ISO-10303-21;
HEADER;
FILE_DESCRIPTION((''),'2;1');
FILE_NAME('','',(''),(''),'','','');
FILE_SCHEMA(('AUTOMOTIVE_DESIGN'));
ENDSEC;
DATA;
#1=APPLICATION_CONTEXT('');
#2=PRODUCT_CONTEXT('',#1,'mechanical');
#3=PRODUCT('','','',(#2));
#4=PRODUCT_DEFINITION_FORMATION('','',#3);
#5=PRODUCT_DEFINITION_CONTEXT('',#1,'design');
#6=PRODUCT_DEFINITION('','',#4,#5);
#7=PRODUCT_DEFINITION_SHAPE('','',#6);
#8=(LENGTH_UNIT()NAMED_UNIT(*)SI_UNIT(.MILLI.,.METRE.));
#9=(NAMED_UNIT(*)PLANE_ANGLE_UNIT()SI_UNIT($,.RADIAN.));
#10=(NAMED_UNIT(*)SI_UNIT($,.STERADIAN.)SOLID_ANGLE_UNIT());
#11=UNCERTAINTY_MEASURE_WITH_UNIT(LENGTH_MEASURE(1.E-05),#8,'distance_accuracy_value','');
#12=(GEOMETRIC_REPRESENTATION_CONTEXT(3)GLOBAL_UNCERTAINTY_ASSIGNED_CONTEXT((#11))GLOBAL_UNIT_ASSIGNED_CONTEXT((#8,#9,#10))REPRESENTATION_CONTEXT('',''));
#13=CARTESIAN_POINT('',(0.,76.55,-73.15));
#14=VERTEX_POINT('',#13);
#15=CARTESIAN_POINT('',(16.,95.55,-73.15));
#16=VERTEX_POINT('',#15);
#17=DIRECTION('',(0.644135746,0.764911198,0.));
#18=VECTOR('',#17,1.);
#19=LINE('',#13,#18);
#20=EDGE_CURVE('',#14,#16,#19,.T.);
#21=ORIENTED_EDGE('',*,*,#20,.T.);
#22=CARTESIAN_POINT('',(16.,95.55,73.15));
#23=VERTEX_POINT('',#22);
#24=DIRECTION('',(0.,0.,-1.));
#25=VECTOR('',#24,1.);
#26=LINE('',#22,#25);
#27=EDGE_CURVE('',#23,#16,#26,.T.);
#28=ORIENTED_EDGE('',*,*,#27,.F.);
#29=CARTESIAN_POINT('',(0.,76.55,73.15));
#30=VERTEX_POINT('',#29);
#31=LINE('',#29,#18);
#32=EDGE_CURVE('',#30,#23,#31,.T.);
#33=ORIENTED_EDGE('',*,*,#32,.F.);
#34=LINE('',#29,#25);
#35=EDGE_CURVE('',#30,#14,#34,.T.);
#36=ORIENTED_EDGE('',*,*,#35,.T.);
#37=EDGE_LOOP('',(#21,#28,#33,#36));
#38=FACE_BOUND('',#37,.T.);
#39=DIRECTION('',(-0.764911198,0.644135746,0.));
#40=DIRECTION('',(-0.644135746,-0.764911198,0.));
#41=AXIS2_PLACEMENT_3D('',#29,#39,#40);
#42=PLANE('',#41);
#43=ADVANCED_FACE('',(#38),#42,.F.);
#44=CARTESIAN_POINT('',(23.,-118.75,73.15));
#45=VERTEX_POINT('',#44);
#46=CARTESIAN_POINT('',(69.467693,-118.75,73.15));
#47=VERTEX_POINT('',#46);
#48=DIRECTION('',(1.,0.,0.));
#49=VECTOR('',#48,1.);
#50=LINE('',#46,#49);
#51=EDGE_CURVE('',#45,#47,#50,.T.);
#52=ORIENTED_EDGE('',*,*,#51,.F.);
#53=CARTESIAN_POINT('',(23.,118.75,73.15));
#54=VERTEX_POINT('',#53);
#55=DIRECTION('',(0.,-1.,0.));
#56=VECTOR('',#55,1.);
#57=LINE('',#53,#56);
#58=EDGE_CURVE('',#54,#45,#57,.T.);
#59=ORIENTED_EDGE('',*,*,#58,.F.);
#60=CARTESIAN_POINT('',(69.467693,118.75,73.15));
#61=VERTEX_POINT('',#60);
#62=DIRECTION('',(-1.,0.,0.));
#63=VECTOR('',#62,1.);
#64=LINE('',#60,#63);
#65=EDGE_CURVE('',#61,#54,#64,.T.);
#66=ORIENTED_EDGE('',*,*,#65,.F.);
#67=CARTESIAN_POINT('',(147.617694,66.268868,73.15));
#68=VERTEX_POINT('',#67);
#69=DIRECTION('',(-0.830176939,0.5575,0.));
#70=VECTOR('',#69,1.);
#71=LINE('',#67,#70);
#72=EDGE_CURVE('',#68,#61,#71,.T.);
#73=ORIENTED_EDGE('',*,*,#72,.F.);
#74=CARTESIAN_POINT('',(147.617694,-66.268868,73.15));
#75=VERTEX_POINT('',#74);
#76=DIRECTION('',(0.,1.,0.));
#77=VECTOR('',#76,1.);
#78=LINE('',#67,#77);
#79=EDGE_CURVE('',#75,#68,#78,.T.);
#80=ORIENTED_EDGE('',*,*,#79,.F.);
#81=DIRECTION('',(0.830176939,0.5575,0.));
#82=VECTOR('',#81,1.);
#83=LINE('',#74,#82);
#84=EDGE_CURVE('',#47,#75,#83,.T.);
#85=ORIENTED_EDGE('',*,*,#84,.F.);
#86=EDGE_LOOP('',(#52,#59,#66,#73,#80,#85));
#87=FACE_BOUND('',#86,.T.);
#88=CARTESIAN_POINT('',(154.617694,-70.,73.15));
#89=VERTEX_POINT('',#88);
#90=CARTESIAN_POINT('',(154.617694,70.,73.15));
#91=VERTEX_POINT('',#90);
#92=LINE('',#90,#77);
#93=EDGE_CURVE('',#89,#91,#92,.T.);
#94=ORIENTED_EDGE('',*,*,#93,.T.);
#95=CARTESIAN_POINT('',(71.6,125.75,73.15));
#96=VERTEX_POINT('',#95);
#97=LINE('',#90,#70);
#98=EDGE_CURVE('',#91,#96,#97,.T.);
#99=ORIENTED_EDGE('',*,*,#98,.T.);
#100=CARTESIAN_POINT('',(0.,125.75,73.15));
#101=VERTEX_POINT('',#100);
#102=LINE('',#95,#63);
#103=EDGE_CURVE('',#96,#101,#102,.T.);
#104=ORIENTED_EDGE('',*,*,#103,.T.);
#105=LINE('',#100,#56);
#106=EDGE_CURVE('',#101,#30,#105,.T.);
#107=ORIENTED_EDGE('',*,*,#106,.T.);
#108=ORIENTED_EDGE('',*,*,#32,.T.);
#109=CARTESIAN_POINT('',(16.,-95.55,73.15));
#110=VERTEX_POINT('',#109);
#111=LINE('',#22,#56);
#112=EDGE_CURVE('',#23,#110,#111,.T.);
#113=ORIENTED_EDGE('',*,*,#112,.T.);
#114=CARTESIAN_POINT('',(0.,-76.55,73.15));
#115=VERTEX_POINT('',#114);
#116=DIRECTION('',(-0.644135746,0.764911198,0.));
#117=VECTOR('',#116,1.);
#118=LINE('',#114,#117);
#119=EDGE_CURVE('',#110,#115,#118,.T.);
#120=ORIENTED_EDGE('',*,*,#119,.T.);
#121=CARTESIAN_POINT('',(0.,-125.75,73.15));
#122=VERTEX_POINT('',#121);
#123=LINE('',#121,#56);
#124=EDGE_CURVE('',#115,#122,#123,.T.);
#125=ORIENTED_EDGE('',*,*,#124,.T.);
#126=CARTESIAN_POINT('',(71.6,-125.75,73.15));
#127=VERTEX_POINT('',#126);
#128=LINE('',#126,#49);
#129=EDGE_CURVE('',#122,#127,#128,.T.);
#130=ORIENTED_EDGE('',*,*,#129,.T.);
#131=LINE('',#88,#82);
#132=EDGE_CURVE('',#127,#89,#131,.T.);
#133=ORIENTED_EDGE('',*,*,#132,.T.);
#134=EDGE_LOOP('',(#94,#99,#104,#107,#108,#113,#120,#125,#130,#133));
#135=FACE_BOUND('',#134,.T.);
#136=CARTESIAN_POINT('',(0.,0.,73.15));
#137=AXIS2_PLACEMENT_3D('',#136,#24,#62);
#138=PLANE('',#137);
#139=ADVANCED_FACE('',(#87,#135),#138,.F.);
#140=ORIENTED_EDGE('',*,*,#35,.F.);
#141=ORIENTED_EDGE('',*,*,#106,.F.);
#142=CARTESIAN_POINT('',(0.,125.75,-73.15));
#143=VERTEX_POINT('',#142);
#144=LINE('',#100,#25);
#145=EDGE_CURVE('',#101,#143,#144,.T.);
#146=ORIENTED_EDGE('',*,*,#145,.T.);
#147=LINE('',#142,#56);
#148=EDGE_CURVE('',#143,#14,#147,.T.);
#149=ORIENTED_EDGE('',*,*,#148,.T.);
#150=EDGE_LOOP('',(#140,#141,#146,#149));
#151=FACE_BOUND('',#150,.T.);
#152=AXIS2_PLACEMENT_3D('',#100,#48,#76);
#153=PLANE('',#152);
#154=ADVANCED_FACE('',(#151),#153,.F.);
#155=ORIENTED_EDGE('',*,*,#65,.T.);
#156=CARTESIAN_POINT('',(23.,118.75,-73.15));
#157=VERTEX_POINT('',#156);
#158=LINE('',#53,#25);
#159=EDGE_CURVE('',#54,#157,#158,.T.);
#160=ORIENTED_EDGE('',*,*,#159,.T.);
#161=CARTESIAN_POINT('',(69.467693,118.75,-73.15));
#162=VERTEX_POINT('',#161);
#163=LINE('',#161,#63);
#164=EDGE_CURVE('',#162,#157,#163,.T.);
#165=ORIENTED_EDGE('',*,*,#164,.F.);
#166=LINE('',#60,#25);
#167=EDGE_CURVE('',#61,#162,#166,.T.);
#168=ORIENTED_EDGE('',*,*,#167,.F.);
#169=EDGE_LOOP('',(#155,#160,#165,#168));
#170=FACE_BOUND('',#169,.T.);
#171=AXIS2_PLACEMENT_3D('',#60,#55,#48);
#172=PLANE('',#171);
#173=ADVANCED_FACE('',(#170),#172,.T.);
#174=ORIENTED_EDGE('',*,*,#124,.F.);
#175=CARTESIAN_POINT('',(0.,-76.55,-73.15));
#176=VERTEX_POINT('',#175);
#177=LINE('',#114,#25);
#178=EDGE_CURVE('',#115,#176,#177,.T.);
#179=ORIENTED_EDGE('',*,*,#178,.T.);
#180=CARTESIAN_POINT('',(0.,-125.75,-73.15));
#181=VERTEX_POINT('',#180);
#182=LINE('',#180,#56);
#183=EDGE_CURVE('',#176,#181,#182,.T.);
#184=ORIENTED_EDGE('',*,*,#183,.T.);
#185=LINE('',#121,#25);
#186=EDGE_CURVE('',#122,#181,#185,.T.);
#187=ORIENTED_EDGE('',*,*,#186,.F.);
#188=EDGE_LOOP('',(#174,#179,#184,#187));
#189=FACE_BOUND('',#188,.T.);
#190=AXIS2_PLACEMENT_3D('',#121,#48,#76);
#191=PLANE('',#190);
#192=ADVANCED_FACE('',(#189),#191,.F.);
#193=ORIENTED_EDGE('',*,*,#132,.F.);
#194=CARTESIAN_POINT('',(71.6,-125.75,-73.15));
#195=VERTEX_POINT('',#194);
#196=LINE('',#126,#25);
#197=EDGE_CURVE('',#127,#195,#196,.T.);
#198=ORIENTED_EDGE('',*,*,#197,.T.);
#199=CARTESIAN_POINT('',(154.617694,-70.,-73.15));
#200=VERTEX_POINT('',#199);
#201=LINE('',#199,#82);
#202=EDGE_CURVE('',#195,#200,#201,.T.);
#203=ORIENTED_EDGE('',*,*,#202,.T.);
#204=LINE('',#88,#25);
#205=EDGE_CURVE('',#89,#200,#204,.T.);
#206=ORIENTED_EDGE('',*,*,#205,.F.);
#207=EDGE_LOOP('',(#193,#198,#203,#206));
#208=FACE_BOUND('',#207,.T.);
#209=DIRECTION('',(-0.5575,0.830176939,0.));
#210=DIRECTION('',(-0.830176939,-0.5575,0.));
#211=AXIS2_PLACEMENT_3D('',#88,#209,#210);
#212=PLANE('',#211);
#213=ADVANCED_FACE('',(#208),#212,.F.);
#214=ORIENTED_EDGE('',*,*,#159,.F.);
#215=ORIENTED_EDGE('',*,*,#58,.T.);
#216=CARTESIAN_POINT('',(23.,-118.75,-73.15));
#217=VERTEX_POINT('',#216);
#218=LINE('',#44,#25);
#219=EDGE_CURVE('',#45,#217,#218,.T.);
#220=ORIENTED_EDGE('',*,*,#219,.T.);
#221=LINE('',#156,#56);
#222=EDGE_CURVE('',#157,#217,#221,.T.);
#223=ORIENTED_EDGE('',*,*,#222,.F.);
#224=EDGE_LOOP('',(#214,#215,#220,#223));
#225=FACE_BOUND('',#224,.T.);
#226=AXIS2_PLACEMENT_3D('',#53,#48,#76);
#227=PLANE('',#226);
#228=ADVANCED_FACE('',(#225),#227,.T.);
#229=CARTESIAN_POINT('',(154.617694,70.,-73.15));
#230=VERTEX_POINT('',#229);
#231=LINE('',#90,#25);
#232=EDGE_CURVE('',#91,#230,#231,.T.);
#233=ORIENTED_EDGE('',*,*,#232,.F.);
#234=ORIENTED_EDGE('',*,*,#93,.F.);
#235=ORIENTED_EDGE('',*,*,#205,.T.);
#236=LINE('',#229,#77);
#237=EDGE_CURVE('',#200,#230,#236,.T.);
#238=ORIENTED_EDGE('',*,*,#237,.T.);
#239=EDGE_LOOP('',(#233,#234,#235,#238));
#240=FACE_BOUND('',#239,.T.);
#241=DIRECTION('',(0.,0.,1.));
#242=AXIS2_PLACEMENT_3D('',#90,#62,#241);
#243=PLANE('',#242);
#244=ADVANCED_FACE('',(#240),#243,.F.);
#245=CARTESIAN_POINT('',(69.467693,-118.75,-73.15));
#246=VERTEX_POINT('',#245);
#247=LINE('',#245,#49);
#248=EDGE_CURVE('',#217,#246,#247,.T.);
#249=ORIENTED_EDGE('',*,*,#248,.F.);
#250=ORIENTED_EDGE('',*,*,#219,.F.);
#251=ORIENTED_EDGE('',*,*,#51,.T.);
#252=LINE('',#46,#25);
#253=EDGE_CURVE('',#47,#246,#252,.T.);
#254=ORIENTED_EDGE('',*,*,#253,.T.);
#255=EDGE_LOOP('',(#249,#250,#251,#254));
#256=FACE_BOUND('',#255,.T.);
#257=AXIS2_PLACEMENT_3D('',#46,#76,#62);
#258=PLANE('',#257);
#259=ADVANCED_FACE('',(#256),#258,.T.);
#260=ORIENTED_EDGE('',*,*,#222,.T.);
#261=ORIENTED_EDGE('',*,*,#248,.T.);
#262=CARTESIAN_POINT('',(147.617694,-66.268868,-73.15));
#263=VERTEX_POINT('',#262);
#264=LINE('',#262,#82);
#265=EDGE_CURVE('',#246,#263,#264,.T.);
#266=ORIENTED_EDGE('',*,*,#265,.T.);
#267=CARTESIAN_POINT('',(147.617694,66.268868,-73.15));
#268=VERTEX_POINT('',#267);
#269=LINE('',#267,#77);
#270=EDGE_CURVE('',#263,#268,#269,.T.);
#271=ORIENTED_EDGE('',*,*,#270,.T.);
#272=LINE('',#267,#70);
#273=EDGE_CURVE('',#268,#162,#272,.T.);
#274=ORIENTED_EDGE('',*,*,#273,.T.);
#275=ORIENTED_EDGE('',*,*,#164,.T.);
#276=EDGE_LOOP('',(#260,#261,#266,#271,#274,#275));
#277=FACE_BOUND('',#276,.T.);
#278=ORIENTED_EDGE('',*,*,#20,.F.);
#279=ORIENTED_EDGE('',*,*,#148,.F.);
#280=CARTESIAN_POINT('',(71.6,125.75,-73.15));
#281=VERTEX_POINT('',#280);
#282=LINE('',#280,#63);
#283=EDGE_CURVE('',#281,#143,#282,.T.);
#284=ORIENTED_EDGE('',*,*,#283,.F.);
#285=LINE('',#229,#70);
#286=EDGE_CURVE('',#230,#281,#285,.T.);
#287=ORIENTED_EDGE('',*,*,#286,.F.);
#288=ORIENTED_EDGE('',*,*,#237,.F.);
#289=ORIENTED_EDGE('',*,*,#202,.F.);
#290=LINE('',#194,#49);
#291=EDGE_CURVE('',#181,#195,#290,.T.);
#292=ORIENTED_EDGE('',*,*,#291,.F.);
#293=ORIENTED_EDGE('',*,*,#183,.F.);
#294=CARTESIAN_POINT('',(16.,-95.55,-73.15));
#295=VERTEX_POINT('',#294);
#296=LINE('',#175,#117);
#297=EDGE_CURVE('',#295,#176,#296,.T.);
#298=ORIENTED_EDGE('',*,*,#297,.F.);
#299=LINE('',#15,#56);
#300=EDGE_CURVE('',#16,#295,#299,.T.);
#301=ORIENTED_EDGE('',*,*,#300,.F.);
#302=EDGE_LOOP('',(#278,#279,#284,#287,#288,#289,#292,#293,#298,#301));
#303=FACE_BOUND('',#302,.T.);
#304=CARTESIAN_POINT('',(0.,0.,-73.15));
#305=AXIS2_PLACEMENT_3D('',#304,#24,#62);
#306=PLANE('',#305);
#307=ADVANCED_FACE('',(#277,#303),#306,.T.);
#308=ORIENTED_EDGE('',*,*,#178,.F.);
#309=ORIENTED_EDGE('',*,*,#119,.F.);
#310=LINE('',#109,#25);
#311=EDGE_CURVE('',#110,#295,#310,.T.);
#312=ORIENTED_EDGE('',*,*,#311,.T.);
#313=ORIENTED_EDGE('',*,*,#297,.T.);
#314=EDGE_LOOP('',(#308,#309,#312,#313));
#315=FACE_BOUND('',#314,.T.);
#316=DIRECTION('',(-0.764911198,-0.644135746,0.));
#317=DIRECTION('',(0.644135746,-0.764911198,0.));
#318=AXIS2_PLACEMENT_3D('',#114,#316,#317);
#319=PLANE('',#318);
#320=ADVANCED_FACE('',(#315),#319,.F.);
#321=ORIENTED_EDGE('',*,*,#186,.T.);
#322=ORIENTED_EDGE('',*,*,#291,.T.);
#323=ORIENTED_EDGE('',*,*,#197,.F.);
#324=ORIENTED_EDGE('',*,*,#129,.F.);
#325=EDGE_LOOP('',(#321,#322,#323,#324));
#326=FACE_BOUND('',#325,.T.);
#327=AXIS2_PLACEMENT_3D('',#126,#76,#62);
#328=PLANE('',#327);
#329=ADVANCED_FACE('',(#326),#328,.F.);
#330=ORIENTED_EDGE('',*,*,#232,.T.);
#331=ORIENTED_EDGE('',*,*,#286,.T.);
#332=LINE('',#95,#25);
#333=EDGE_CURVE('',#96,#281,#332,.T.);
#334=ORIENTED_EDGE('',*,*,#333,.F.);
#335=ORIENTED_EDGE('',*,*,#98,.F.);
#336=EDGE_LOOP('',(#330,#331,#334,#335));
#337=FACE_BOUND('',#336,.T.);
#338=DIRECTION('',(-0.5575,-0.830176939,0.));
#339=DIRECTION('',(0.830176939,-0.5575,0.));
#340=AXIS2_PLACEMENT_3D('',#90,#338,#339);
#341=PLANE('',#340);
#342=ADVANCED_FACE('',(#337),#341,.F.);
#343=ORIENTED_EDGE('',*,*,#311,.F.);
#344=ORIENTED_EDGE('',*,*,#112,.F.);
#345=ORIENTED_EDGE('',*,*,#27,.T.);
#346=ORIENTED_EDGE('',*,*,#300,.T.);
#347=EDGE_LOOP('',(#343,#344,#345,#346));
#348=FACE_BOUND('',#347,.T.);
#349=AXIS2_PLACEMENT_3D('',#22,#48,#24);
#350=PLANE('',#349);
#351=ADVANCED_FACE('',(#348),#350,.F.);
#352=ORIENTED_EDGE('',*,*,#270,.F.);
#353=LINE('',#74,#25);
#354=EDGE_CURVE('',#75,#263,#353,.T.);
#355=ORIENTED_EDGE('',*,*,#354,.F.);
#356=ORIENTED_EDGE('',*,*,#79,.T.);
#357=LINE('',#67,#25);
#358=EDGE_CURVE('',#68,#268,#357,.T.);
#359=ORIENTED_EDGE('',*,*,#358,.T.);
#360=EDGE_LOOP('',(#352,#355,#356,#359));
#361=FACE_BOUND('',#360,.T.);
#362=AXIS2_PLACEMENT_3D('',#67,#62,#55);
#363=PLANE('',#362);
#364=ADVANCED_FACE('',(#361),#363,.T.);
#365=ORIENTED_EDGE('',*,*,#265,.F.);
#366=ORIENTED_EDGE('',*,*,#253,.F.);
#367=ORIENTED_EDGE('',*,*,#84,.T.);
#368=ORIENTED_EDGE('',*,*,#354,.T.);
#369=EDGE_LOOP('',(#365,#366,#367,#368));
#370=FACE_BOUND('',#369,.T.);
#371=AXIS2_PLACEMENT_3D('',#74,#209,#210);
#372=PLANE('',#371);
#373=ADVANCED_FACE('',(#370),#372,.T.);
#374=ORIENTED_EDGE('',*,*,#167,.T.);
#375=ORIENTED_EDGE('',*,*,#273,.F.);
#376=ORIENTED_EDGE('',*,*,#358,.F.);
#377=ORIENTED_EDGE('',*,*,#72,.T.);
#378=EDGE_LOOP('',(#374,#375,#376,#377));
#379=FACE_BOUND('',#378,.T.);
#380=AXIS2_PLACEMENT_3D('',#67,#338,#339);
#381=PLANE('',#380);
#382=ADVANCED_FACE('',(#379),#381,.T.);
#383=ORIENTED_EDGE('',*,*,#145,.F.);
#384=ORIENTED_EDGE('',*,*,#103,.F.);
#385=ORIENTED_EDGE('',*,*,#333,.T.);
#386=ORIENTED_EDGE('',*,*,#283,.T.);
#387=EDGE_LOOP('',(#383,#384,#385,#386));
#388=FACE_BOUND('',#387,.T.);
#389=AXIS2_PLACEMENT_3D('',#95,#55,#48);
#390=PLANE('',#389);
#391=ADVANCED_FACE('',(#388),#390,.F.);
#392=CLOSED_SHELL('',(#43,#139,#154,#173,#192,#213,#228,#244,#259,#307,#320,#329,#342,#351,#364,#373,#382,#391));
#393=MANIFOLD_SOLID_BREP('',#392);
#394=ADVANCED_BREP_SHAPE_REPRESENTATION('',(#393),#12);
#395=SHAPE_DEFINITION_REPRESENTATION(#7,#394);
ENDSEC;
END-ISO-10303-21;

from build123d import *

# Parameters (mm, degrees)
SALIENTE_EXTRUIR1_DEPTH = 73.15


with BuildPart() as part:
    # Croquis1 → Saliente-Extruir1 (new body, symmetric)
    with BuildSketch(Plane.XY):
        Polygon((154.617693897, 70), (71.6, 125.75), (0, 125.75), (0, 76.55), (16, 95.55), (16, -95.55), (0, -76.55), (0, -125.75), (71.6, -125.75), (154.617693897, -70), align=None)
        Polygon((147.617693897, 66.26886769), (69.467692507, 118.75), (23, 118.75), (23, -118.75), (69.467692507, -118.75), (147.617693897, -66.26886769), align=None, mode=Mode.SUBTRACT)
    extrude(amount=SALIENTE_EXTRUIR1_DEPTH, both=True)


solid = part.part
